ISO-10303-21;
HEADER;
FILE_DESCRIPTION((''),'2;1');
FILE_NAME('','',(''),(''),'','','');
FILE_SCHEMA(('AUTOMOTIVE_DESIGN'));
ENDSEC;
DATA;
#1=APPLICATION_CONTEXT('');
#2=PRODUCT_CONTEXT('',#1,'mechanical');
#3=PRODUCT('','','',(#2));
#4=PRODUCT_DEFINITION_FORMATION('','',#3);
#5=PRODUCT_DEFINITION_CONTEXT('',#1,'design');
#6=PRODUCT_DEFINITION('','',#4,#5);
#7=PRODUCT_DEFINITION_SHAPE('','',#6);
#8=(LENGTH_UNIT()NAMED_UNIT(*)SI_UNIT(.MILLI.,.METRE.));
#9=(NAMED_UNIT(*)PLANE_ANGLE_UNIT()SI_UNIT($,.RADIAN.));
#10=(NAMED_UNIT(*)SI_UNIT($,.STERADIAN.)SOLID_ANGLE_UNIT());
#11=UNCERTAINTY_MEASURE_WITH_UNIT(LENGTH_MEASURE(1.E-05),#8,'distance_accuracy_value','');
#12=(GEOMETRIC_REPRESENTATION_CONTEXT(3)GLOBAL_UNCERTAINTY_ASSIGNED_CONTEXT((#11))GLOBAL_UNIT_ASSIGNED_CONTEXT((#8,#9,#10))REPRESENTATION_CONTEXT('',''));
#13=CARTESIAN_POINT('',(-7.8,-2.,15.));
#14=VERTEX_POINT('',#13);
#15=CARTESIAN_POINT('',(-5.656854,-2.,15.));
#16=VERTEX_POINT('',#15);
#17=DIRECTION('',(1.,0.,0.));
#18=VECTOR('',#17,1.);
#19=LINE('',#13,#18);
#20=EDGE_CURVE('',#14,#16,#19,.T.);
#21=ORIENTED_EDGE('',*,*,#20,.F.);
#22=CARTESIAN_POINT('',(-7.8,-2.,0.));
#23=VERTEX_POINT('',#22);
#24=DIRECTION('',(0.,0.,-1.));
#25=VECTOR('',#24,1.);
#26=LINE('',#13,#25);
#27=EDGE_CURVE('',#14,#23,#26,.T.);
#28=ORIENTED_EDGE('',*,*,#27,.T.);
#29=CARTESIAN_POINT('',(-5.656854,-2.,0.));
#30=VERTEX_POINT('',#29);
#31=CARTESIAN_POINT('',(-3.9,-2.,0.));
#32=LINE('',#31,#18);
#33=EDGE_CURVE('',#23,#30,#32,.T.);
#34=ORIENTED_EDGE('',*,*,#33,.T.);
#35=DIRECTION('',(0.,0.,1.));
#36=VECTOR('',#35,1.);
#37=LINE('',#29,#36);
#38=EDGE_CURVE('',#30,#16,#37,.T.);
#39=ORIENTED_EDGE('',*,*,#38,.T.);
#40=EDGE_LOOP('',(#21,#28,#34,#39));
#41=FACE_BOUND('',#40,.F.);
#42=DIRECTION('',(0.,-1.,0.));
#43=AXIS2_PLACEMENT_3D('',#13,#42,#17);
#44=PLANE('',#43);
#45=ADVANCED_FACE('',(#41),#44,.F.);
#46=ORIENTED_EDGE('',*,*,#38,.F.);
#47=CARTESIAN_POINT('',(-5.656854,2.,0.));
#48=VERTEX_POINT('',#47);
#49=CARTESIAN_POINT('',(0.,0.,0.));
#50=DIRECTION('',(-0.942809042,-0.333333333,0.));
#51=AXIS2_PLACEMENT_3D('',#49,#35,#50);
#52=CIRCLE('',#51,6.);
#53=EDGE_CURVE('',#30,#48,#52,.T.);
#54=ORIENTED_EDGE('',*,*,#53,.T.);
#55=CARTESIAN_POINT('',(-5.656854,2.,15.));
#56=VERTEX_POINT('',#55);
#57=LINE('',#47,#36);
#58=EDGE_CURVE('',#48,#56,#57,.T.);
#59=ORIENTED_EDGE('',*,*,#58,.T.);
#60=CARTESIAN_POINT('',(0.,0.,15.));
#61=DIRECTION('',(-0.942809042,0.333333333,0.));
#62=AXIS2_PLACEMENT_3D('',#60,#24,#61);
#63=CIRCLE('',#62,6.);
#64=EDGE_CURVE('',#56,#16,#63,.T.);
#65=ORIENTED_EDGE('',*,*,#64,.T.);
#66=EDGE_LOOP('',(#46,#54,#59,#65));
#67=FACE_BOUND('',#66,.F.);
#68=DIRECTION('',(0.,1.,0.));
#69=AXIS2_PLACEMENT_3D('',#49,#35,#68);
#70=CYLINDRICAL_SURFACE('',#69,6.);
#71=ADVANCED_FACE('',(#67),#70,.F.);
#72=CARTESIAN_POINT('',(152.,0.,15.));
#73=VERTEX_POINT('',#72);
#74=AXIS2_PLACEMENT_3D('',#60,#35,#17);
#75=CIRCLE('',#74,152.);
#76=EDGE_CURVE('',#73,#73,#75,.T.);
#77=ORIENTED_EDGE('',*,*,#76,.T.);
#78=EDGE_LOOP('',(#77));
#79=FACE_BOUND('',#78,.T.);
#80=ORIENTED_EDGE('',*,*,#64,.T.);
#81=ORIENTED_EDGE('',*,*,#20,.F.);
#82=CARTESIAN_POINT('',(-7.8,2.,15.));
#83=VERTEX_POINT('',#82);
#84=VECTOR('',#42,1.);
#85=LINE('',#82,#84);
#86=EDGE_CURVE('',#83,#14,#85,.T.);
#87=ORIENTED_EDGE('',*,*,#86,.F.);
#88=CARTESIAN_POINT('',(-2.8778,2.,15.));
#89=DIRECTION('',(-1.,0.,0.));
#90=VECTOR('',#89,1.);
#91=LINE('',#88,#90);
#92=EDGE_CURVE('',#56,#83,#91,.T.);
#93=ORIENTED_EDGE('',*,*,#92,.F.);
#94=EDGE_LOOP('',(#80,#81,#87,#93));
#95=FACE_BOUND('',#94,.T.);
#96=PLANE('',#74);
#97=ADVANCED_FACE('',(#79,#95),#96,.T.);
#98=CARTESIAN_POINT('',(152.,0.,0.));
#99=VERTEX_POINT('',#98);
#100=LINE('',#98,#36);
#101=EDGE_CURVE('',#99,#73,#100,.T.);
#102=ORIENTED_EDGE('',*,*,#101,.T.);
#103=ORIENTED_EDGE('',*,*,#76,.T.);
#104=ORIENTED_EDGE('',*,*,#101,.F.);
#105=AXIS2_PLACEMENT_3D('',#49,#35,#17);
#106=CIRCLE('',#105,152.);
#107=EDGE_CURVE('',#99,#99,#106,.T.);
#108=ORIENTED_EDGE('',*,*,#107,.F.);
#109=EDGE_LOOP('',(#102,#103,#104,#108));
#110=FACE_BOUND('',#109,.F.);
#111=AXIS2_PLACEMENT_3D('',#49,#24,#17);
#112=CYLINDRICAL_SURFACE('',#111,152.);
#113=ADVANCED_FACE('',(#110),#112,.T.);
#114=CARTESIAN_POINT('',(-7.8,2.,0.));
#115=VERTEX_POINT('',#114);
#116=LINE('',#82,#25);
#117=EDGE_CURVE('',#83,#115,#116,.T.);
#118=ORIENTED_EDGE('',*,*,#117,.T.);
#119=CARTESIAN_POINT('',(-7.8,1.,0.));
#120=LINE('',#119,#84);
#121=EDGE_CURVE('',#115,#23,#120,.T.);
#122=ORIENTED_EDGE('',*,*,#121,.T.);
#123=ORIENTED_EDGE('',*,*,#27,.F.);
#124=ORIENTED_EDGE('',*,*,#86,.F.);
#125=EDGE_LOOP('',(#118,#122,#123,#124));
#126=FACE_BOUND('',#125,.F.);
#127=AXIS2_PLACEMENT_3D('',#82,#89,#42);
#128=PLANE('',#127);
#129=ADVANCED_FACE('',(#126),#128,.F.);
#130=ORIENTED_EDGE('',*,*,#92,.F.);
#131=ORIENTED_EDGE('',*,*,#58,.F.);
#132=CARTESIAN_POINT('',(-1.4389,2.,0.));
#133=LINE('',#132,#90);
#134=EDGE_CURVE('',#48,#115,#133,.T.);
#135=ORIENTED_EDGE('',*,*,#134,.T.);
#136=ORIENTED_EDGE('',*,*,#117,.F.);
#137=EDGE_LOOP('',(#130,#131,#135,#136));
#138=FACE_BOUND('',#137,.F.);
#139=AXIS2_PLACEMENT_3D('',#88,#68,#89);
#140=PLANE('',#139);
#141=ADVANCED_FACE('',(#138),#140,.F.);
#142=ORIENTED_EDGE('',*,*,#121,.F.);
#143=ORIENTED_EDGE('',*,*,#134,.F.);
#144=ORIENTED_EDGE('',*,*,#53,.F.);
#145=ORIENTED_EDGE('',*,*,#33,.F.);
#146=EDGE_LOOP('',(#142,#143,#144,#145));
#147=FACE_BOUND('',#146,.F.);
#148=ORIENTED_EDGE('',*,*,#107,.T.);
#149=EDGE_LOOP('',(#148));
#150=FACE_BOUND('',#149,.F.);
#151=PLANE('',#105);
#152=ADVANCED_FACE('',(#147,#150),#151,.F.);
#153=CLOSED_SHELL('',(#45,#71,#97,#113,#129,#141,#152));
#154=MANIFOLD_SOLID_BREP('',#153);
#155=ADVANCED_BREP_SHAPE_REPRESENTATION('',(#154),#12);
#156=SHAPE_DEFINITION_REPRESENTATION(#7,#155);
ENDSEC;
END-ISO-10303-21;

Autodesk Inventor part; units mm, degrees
ref_plane "YZ Plane" through (0, 0, 0) normal (1, 0, 0) x (0, 1, 0)
ref_plane "XZ Plane" through (0, 0, 0) normal (0, 1, 0) x (-1, 0, 0)
ref_plane "XY Plane" through (0, 0, 0) normal (0, 0, 1) x (1, 0, 0)
sketch "スケッチ1" plane through (0, 0, 0) normal (0, 0, 1) x (1, 0, 0)
  circle A0 centre (0, 0) radius 152
  dimension "d0" = 304
extrude "押し出し1" add sketch "スケッチ1" along normal blind 15
sketch "スケッチ2" plane through (0, 0, 0) normal (0, 0, -1) x (-1, 0, 0)
  point P0 (0, 0)
  point P1 (0, 0)
hole "穴1" at (0, 0, 0) direction (0, 0, 1) diameter 12 end through all
sketch "スケッチ3" plane through (0, 0, 0) normal (0, 0, -1) x (-1, 0, 0)
  circle A0 centre (0, 0) radius 6 projected
sketch "スケッチ4" plane through (0, 0, 15) normal (0, 0, 1) x (1, 0, 0)
  line L0 (-7.8, -2) -> (-2.8778, -2)
  line L1 (-2.8778, -2) -> (-2.8778, 2)
  line L2 (-2.8778, 2) -> (-7.8, 2)
  line L3 (-7.8, 2) -> (-7.8, -2)
  point P0 (0, 0)
  point P1 (-7.8, 0)
  dimension "d10" = 7.8
  dimension "d11" = 2
  dimension "d12" = 2
extrude "押し出し2" cut sketch "スケッチ4" against normal blind 20
properties part number "計測輪"
